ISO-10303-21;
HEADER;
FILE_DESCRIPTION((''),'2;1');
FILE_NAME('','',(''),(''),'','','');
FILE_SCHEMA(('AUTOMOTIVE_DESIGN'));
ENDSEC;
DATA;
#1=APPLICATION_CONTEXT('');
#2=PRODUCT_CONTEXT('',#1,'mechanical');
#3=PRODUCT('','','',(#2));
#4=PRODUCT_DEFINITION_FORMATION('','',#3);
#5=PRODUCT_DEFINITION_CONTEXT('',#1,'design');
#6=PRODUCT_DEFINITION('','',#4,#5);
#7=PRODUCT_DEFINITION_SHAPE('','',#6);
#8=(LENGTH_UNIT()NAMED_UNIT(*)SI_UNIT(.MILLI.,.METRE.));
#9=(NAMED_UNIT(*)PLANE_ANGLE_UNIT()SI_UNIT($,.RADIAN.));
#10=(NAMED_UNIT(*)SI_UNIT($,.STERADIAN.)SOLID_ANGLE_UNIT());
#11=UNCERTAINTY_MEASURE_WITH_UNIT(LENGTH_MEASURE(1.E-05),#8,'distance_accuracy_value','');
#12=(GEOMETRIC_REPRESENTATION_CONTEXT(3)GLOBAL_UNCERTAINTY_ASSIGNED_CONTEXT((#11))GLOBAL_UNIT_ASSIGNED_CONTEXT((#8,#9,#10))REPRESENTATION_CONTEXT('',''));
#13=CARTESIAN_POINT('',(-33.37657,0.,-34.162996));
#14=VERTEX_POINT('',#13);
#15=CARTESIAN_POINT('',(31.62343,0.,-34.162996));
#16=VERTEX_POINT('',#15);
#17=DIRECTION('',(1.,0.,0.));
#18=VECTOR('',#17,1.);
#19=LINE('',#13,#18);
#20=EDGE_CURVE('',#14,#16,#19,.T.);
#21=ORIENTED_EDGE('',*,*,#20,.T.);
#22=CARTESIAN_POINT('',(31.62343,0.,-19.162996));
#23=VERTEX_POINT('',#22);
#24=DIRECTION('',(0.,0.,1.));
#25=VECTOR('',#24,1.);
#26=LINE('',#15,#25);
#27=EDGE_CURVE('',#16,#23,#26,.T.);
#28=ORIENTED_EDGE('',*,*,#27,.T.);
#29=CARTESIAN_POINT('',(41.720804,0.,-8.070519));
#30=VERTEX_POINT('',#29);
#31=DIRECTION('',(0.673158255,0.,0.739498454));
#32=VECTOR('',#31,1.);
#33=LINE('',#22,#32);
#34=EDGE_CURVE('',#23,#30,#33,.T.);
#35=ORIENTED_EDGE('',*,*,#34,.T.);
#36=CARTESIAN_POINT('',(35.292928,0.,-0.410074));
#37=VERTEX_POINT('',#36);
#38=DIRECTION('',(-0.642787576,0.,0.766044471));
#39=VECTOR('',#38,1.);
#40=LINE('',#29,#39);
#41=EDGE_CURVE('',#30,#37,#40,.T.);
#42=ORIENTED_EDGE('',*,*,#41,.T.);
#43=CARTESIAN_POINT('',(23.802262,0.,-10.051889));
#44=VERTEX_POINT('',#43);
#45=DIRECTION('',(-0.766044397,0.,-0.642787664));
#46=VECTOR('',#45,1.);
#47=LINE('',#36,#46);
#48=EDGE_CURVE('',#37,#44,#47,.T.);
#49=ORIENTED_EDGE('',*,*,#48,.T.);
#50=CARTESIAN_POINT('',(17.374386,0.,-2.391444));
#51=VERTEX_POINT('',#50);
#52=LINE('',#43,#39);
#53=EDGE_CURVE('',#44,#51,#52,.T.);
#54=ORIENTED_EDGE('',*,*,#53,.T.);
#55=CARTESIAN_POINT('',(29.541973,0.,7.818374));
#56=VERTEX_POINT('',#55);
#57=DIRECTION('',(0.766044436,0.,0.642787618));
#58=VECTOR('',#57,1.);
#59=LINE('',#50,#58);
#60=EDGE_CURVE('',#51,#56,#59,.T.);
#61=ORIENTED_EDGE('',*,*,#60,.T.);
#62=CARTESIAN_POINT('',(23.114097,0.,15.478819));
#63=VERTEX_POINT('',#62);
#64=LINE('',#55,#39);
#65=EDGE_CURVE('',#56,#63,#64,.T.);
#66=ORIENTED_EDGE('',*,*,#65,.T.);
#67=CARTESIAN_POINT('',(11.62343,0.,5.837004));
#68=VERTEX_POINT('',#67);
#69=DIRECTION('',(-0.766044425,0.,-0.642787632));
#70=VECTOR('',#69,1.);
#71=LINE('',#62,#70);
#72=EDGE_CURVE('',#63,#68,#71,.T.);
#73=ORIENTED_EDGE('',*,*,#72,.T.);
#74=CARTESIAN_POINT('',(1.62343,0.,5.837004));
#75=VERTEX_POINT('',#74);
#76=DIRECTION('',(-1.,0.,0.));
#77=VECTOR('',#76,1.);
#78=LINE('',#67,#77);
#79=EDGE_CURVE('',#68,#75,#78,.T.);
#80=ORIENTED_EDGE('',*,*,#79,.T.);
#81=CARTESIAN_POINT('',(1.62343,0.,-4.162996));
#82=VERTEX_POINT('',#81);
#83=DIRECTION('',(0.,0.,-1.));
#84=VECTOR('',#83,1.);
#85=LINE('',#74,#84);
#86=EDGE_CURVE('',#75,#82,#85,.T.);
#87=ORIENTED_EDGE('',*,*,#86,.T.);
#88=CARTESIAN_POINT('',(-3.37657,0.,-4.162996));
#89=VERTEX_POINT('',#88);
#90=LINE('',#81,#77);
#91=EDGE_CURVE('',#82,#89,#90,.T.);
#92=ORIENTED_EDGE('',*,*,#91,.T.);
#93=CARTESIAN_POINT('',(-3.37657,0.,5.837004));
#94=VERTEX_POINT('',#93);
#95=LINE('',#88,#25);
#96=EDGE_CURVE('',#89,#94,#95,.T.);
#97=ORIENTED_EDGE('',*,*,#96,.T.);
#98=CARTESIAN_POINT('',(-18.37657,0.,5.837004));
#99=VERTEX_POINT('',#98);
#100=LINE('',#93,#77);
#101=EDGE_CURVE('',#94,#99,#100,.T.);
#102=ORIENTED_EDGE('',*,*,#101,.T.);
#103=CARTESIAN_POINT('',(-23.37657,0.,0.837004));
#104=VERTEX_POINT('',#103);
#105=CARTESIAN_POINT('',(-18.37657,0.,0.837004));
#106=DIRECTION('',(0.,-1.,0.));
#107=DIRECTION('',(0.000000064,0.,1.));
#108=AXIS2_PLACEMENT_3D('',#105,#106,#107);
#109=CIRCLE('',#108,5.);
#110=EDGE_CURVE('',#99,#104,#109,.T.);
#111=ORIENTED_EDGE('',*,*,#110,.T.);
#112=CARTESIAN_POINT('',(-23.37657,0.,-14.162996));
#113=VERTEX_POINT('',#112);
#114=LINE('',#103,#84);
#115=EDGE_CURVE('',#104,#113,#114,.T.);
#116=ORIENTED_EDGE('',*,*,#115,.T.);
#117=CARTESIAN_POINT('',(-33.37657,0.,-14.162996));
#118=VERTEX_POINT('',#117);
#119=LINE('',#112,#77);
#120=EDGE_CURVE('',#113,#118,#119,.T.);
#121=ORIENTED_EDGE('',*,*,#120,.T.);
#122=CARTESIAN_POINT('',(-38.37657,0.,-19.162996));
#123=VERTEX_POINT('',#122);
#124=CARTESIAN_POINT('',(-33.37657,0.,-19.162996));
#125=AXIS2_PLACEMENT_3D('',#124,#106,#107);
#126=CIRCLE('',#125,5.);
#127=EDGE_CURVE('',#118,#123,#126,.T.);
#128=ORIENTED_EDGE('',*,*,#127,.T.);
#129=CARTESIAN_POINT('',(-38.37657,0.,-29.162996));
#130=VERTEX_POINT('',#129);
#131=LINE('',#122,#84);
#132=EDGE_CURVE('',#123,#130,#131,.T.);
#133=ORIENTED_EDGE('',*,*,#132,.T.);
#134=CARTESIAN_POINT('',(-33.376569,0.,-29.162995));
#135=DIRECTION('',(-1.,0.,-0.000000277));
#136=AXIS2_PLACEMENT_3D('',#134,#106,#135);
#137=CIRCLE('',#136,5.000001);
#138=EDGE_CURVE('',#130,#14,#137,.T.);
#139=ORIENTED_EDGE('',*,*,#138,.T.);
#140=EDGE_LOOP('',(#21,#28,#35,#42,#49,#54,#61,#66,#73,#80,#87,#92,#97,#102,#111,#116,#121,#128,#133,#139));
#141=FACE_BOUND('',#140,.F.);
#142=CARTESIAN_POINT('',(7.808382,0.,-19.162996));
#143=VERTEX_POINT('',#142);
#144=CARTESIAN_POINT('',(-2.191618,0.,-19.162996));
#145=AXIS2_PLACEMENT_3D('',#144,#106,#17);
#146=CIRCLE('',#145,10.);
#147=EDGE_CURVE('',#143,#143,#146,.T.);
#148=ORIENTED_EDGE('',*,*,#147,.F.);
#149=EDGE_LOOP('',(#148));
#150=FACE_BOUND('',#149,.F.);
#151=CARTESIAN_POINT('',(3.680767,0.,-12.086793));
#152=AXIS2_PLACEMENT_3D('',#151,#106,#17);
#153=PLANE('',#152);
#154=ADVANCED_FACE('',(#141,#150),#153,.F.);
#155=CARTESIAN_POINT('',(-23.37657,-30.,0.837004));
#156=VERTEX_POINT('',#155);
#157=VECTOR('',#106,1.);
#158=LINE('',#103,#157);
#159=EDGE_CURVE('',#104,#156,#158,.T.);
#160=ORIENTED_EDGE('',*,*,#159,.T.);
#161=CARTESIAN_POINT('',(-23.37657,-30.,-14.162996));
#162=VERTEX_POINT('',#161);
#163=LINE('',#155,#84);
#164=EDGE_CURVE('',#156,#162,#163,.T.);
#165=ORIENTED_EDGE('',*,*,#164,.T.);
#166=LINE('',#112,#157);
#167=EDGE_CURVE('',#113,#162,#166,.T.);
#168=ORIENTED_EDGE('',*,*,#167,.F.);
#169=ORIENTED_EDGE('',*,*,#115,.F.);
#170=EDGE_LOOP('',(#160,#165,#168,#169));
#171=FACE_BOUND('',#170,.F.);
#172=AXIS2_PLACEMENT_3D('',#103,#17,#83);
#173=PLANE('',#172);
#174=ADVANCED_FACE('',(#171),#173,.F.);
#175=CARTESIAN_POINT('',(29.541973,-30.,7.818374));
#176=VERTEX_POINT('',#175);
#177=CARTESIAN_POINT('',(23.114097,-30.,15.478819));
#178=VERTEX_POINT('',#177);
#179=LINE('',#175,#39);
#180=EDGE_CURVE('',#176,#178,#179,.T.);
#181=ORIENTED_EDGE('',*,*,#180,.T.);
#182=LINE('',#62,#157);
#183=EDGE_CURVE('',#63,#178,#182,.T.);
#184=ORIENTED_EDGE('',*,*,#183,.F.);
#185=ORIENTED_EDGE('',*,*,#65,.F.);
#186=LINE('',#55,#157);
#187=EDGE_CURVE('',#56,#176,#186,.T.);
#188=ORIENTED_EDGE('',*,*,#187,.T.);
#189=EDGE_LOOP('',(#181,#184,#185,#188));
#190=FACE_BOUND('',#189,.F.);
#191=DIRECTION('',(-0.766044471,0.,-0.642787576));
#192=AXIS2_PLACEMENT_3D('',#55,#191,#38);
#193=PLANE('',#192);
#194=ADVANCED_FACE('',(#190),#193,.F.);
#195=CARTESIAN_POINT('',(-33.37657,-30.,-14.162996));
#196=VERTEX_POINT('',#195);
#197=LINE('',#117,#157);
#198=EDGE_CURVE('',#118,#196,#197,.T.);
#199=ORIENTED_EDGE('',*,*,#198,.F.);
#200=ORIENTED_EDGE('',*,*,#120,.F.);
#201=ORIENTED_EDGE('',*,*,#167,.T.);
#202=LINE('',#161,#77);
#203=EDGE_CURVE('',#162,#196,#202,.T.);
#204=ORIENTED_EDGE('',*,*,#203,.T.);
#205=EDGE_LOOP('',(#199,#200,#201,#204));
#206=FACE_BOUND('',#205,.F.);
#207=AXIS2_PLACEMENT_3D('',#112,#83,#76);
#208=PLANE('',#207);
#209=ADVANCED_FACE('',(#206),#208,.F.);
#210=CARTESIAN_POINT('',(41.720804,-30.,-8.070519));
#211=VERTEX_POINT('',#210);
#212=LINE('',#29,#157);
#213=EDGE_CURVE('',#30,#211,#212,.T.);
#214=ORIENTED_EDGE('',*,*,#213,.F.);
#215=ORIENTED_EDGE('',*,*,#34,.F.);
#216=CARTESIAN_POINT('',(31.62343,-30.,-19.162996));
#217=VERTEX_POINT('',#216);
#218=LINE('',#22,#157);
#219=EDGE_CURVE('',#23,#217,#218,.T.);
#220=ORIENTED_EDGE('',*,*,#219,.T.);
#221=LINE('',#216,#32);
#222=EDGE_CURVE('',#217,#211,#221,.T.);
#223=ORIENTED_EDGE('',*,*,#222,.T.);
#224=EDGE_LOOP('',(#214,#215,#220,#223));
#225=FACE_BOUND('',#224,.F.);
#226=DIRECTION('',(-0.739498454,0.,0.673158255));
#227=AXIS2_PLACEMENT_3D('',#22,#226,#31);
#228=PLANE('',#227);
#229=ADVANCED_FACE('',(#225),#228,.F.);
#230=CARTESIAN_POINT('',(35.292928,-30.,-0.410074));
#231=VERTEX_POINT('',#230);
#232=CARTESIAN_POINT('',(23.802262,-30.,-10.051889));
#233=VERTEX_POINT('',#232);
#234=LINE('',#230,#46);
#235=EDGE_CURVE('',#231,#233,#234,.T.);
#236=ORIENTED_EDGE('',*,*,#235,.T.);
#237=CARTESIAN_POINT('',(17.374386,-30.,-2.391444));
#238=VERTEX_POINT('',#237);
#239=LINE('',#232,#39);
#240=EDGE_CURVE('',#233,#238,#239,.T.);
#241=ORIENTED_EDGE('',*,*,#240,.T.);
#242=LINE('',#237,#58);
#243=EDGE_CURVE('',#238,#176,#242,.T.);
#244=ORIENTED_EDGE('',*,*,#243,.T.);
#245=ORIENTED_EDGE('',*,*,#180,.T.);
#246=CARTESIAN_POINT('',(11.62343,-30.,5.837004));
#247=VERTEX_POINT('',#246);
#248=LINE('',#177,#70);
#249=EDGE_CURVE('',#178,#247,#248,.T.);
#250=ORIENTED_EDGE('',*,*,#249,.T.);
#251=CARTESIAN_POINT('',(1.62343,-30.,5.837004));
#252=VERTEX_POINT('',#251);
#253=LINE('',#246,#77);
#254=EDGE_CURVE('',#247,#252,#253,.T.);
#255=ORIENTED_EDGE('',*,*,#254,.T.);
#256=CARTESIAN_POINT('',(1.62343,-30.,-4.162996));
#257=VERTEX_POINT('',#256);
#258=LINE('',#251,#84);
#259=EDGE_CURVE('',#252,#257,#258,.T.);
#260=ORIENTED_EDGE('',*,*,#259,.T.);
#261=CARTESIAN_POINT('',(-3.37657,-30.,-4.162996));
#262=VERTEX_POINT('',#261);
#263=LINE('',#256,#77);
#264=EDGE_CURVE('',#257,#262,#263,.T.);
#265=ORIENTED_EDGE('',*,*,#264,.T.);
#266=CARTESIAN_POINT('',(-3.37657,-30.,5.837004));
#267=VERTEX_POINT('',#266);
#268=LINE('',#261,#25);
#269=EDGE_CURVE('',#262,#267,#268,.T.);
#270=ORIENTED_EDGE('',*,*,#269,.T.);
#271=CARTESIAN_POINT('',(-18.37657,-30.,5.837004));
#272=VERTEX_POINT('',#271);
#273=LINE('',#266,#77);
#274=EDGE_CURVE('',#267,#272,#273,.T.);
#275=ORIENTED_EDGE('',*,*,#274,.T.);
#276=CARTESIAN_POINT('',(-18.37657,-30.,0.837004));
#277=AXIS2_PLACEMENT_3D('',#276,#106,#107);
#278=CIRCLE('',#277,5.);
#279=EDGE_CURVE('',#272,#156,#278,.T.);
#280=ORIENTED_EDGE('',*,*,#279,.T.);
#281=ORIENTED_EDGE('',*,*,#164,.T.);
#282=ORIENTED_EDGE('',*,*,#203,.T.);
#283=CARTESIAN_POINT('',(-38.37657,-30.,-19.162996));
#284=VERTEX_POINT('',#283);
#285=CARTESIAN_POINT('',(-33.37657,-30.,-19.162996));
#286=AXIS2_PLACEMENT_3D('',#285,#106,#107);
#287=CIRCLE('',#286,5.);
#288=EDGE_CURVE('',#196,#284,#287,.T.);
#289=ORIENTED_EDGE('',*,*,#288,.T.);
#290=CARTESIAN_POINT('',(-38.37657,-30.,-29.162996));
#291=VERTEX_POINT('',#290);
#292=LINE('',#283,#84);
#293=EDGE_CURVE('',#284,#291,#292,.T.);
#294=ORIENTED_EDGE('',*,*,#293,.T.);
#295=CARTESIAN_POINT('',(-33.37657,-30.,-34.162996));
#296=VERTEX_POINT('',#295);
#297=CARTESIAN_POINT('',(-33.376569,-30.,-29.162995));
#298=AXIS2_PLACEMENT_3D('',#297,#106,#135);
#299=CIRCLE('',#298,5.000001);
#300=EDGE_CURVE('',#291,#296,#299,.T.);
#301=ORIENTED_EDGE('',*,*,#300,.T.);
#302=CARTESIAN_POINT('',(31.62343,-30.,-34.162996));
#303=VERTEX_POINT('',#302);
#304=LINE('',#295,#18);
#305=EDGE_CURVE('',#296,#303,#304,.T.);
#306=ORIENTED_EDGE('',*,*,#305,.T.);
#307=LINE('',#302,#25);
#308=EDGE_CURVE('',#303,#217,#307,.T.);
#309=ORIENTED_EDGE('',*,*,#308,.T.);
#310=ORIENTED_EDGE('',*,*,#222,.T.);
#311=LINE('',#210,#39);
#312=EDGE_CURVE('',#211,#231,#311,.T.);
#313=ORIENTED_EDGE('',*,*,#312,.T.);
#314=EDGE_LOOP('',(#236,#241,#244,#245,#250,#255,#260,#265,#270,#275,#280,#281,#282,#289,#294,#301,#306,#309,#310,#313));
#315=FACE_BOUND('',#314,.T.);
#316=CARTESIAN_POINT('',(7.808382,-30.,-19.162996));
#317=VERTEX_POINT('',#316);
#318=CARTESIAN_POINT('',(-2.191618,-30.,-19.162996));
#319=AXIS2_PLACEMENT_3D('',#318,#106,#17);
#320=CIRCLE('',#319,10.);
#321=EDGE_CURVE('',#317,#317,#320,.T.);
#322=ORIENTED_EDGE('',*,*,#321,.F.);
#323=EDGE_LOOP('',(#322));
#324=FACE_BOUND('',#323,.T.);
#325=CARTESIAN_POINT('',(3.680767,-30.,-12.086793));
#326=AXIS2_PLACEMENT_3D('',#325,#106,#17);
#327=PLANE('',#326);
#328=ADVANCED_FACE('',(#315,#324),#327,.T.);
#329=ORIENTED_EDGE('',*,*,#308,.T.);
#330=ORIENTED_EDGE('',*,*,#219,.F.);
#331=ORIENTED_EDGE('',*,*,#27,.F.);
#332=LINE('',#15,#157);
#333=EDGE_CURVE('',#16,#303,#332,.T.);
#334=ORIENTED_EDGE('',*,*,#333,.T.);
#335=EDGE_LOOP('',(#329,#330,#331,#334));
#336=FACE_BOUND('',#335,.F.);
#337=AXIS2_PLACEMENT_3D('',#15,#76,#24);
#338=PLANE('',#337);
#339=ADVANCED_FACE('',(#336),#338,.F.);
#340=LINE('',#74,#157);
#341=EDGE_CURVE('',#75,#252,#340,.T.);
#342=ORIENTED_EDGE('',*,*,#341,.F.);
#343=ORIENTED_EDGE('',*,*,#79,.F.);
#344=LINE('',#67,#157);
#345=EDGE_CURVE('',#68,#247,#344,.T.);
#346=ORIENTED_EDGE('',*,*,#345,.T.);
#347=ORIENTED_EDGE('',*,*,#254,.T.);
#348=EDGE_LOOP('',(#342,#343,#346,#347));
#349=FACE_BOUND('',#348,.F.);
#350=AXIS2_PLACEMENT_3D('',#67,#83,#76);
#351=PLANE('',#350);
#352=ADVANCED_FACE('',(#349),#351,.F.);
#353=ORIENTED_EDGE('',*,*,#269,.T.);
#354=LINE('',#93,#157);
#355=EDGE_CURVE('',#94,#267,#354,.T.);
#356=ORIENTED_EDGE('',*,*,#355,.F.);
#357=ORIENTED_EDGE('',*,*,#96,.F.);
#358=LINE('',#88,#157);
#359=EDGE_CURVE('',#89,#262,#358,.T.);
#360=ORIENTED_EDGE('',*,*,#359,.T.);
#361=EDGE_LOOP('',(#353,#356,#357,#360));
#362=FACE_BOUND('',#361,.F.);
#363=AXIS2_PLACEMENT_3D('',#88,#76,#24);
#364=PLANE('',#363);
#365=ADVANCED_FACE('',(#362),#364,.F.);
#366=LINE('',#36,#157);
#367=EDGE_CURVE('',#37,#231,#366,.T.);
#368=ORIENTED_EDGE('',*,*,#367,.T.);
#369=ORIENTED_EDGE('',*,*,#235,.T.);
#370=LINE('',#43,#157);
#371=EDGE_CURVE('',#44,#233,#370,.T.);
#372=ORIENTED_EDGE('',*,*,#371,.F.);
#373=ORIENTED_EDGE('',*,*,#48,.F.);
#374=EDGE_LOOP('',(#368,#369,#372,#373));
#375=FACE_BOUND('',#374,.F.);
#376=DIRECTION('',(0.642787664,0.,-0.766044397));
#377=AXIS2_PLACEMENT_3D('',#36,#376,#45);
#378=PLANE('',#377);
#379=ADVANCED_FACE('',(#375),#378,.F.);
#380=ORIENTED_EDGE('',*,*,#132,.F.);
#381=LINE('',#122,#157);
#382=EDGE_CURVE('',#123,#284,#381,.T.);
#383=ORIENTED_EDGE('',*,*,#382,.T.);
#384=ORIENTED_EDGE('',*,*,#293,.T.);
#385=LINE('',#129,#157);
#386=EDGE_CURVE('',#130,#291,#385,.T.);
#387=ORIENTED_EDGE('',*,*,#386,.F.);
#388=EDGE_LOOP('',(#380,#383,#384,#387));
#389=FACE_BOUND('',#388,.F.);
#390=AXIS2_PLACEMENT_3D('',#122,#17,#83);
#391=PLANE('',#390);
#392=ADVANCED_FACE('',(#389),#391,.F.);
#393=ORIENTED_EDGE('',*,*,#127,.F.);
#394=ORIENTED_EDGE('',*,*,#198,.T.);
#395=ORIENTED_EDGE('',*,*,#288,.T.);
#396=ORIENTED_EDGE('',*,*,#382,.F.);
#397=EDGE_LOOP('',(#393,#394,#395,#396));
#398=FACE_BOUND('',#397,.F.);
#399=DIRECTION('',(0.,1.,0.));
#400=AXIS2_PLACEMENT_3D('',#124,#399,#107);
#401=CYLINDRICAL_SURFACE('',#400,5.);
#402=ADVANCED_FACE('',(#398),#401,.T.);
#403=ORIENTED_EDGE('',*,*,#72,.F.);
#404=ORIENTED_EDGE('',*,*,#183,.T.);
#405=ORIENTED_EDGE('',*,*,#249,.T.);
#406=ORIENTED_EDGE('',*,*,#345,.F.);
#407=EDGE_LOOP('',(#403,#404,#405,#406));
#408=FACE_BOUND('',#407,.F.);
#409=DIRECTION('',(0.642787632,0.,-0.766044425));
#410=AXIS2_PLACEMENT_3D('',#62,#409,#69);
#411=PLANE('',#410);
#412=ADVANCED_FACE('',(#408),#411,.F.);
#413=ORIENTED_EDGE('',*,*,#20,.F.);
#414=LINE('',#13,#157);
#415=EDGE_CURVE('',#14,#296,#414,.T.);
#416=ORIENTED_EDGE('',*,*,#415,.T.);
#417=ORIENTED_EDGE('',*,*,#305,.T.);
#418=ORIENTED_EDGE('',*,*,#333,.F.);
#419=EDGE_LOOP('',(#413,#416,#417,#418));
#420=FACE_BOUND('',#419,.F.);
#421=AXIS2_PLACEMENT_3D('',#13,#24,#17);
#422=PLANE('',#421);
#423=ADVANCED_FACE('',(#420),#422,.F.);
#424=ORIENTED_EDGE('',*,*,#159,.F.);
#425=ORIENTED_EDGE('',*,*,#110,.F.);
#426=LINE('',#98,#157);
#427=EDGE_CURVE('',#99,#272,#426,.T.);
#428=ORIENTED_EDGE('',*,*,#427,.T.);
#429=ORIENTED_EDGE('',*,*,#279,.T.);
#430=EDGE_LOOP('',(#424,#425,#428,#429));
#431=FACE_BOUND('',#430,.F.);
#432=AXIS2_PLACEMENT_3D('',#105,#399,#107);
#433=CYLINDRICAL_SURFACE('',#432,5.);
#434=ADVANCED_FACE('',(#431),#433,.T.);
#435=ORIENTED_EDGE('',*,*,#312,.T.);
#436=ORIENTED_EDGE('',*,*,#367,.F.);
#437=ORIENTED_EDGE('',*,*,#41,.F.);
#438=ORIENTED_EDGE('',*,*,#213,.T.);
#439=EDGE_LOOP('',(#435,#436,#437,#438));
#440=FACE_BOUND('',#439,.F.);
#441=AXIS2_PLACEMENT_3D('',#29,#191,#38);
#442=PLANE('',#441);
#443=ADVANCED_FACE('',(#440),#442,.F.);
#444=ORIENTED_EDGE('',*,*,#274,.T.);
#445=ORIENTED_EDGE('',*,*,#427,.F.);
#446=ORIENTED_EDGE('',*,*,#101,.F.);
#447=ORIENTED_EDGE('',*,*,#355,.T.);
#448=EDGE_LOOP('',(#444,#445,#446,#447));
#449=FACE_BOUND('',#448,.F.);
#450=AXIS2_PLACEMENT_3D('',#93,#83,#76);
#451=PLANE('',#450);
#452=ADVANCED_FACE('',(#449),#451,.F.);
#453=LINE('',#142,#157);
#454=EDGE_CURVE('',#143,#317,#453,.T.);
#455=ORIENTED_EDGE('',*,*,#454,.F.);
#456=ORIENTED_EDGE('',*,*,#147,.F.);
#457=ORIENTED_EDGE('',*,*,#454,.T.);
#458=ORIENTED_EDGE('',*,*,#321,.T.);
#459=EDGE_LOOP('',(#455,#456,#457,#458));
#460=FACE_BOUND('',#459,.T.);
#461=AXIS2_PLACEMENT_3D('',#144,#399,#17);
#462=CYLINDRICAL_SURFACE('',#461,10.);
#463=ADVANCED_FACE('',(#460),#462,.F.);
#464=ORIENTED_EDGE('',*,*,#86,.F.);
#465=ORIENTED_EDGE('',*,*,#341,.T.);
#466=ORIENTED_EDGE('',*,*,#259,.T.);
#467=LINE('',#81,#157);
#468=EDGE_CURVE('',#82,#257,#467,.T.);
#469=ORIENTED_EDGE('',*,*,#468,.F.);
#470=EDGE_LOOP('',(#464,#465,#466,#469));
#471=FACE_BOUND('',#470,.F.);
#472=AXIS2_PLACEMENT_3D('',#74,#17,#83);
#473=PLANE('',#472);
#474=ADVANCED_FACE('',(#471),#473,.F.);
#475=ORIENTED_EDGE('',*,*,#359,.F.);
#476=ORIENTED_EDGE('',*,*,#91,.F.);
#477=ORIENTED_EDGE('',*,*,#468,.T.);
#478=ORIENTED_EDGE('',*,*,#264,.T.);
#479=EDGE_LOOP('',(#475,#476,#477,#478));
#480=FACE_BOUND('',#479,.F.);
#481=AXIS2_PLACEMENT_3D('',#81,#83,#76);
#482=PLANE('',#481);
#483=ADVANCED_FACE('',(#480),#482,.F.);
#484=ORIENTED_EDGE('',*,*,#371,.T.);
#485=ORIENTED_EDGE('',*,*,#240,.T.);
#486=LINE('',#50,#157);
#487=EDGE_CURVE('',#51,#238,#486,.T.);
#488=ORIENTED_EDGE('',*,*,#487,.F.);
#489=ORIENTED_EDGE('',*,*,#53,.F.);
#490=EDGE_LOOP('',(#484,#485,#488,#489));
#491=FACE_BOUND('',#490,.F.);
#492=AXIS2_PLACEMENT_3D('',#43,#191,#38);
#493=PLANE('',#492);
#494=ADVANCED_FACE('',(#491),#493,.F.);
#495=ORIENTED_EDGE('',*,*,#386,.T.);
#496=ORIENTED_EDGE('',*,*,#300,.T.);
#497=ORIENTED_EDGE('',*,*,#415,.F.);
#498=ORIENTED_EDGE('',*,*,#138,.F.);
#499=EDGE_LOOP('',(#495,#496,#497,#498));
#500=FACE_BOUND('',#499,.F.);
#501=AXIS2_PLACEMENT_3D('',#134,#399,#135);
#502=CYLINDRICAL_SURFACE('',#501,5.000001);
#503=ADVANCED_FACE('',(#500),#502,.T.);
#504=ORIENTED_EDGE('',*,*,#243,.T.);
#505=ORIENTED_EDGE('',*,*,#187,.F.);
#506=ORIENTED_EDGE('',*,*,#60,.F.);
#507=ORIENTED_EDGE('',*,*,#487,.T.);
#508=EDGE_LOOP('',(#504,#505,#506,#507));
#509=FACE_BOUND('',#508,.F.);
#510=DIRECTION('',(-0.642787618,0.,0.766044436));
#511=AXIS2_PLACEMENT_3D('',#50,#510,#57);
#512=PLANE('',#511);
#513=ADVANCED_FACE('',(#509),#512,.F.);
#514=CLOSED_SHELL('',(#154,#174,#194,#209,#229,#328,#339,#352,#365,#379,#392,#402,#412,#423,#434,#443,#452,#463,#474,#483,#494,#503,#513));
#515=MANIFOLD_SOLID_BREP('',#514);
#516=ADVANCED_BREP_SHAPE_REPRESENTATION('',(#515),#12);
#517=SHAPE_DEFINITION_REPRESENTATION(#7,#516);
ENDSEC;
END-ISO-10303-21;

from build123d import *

# Parameters (mm, degrees)
F0_R     = 10
F1_DEPTH = 30


with BuildPart() as f1:
    # F0 (on Front) → F1 (new body)
    with BuildSketch(Plane.XZ):
        with BuildLine():
            ThreePointArc((-38.37657, -29.162996), (-36.912104, -32.698529), (-33.37657, -34.162996))
            Line((-33.37657, -34.162996), (31.62343, -34.162996))
            Line((31.62343, -34.162996), (31.62343, -19.162996))
            Line((31.62343, -19.162996), (41.720804, -8.070519))
            Line((41.720804, -8.070519), (35.292928, -0.410074))
            Line((35.292928, -0.410074), (23.802262, -10.051889))
            Line((23.802262, -10.051889), (17.374386, -2.391444))
            Line((17.374386, -2.391444), (29.541973, 7.818374))
            Line((29.541973, 7.818374), (23.114097, 15.478819))
            Line((23.114097, 15.478819), (11.62343, 5.837004))
            Line((11.62343, 5.837004), (1.62343, 5.837004))
            Line((1.62343, 5.837004), (1.62343, -4.162996))
            Line((1.62343, -4.162996), (-3.37657, -4.162996))
            Line((-3.37657, -4.162996), (-3.37657, 5.837004))
            Line((-3.37657, 5.837004), (-18.37657, 5.837004))
            ThreePointArc((-18.37657, 5.837004), (-21.912104, 4.372538), (-23.37657, 0.837004))
            Line((-23.37657, 0.837004), (-23.37657, -14.162996))
            Line((-23.37657, -14.162996), (-33.37657, -14.162996))
            ThreePointArc((-33.37657, -14.162996), (-36.912104, -15.627462), (-38.37657, -19.162996))
            Line((-38.37657, -19.162996), (-38.37657, -29.162996))
        make_face()
        with Locations((-2.191618, -19.162996)):
            Circle(F0_R, mode=Mode.SUBTRACT)
    extrude(amount=F1_DEPTH)


solid = f1.part
